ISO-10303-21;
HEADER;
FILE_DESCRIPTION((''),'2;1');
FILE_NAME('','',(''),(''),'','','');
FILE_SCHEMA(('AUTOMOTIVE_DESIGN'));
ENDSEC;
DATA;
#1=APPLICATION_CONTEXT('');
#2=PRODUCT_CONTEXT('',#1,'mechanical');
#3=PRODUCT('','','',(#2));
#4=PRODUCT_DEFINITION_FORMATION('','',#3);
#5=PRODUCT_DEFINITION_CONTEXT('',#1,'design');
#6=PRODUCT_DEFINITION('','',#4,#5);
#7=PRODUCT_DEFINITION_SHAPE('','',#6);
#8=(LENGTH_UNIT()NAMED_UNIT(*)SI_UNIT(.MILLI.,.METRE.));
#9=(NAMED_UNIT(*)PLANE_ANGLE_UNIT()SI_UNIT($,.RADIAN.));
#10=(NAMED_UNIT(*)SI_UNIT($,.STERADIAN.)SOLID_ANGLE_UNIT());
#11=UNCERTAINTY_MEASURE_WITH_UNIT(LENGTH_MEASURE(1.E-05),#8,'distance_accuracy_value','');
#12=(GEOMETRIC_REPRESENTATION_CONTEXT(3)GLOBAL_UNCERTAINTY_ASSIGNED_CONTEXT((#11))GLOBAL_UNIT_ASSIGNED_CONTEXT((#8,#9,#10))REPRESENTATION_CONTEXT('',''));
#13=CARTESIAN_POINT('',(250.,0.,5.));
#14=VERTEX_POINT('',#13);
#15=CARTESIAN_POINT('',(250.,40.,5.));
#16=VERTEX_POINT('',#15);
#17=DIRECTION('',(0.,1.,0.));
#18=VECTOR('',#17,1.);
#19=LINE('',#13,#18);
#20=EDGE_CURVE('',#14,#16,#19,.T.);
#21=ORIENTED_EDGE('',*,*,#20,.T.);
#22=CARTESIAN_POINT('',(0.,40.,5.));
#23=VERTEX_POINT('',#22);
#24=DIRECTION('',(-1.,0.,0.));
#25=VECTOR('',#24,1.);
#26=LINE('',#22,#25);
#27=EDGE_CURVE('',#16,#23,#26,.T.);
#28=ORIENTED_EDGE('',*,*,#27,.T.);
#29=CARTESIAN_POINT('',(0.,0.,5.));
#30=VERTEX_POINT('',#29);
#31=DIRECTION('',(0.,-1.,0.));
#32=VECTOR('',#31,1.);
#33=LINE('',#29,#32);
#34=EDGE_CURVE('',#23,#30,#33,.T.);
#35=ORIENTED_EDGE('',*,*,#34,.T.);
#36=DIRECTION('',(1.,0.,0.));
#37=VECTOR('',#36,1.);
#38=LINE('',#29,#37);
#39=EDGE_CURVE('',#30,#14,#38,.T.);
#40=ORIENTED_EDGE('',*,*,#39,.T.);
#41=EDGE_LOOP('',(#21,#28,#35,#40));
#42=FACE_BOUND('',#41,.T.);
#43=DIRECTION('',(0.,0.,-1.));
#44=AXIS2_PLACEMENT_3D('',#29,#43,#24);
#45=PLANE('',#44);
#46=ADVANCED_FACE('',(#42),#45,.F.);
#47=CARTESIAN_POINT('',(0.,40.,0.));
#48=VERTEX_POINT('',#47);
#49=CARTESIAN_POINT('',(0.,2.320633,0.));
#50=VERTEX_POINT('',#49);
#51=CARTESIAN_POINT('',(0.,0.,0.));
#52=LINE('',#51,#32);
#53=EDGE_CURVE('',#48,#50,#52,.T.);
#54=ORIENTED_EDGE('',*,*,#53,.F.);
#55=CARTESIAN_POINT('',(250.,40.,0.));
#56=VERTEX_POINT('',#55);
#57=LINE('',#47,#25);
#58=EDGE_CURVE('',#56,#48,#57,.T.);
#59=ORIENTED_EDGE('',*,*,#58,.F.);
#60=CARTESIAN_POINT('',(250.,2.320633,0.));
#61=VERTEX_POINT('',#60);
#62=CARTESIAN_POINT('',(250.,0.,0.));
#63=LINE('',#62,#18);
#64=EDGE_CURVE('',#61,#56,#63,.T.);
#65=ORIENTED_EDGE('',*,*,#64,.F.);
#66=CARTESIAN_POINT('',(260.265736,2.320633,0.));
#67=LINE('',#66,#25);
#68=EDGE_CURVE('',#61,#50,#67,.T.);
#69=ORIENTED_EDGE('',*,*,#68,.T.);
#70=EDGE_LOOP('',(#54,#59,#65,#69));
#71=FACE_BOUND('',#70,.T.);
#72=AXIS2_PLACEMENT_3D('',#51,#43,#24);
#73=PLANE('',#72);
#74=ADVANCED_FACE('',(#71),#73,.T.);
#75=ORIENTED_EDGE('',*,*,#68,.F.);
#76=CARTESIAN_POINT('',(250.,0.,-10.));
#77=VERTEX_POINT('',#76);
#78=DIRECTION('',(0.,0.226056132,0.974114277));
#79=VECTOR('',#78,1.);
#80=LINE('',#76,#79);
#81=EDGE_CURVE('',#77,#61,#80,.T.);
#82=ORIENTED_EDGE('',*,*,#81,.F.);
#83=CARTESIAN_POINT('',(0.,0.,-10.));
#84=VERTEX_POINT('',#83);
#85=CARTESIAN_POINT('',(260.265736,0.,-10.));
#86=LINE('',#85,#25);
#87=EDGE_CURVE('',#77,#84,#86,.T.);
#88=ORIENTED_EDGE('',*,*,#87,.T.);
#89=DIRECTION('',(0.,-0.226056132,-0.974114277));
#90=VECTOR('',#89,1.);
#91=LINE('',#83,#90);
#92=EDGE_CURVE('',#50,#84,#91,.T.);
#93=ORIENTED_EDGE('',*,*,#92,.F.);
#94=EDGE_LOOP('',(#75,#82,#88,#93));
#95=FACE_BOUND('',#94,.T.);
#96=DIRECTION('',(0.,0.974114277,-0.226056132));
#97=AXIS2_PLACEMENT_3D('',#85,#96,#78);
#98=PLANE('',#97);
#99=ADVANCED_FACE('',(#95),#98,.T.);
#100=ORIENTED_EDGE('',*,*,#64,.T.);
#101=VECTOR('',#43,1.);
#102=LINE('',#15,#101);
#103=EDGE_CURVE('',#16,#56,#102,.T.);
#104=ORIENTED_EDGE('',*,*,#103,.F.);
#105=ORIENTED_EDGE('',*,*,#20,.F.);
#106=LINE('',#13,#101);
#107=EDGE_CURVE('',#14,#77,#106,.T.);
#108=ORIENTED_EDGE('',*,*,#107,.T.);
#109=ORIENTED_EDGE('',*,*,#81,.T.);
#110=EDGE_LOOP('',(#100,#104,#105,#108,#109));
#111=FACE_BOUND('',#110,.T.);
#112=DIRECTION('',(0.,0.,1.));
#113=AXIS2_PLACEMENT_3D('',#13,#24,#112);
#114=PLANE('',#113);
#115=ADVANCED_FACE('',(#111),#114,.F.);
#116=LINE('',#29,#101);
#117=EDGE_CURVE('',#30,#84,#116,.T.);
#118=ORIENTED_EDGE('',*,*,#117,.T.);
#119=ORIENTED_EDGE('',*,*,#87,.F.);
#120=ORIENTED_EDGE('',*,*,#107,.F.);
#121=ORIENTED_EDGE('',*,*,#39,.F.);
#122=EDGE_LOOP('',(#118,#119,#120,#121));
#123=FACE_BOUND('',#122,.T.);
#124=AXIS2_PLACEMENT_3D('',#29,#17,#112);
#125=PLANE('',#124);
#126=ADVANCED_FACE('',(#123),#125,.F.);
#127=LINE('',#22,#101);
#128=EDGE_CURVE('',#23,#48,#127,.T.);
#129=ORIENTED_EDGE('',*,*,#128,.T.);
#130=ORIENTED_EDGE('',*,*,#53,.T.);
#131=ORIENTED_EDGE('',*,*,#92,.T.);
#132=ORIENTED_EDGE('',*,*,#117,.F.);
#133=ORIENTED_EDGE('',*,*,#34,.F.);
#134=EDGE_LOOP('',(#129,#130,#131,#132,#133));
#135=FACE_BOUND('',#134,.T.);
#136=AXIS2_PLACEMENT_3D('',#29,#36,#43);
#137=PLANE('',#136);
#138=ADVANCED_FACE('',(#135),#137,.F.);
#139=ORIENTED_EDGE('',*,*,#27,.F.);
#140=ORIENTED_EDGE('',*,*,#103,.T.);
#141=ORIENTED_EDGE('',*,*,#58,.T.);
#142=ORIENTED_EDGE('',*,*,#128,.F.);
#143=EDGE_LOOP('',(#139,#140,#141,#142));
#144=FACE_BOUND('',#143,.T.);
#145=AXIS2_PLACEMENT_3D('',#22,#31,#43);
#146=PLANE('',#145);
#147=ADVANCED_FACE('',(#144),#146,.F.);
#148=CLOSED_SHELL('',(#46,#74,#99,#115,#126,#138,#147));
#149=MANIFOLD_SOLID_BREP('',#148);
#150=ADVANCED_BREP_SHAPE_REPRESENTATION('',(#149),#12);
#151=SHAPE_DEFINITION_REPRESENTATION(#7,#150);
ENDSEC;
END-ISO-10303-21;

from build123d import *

# Parameters (mm, degrees)
ESQUISSE1_W        = 250
ESQUISSE1_H        = 40
BOSS_EXTRU_1_DEPTH = 5
BOSS_EXTRU_2_DEPTH = 250


with BuildPart() as part:
    # Esquisse1 → Boss.-Extru.1 (new body)
    with BuildSketch(Plane.XY):
        with Locations((125, 20)):
            Rectangle(ESQUISSE1_W, ESQUISSE1_H)
    extrude(amount=BOSS_EXTRU_1_DEPTH)

    # Esquisse2 → Boss.-Extru.2 (add)
    with BuildSketch(Plane.ZY):
        Polygon((0, 0), (-10, 0), (0, 2.320632566), align=None)
    extrude(amount=-BOSS_EXTRU_2_DEPTH)


solid = part.part
